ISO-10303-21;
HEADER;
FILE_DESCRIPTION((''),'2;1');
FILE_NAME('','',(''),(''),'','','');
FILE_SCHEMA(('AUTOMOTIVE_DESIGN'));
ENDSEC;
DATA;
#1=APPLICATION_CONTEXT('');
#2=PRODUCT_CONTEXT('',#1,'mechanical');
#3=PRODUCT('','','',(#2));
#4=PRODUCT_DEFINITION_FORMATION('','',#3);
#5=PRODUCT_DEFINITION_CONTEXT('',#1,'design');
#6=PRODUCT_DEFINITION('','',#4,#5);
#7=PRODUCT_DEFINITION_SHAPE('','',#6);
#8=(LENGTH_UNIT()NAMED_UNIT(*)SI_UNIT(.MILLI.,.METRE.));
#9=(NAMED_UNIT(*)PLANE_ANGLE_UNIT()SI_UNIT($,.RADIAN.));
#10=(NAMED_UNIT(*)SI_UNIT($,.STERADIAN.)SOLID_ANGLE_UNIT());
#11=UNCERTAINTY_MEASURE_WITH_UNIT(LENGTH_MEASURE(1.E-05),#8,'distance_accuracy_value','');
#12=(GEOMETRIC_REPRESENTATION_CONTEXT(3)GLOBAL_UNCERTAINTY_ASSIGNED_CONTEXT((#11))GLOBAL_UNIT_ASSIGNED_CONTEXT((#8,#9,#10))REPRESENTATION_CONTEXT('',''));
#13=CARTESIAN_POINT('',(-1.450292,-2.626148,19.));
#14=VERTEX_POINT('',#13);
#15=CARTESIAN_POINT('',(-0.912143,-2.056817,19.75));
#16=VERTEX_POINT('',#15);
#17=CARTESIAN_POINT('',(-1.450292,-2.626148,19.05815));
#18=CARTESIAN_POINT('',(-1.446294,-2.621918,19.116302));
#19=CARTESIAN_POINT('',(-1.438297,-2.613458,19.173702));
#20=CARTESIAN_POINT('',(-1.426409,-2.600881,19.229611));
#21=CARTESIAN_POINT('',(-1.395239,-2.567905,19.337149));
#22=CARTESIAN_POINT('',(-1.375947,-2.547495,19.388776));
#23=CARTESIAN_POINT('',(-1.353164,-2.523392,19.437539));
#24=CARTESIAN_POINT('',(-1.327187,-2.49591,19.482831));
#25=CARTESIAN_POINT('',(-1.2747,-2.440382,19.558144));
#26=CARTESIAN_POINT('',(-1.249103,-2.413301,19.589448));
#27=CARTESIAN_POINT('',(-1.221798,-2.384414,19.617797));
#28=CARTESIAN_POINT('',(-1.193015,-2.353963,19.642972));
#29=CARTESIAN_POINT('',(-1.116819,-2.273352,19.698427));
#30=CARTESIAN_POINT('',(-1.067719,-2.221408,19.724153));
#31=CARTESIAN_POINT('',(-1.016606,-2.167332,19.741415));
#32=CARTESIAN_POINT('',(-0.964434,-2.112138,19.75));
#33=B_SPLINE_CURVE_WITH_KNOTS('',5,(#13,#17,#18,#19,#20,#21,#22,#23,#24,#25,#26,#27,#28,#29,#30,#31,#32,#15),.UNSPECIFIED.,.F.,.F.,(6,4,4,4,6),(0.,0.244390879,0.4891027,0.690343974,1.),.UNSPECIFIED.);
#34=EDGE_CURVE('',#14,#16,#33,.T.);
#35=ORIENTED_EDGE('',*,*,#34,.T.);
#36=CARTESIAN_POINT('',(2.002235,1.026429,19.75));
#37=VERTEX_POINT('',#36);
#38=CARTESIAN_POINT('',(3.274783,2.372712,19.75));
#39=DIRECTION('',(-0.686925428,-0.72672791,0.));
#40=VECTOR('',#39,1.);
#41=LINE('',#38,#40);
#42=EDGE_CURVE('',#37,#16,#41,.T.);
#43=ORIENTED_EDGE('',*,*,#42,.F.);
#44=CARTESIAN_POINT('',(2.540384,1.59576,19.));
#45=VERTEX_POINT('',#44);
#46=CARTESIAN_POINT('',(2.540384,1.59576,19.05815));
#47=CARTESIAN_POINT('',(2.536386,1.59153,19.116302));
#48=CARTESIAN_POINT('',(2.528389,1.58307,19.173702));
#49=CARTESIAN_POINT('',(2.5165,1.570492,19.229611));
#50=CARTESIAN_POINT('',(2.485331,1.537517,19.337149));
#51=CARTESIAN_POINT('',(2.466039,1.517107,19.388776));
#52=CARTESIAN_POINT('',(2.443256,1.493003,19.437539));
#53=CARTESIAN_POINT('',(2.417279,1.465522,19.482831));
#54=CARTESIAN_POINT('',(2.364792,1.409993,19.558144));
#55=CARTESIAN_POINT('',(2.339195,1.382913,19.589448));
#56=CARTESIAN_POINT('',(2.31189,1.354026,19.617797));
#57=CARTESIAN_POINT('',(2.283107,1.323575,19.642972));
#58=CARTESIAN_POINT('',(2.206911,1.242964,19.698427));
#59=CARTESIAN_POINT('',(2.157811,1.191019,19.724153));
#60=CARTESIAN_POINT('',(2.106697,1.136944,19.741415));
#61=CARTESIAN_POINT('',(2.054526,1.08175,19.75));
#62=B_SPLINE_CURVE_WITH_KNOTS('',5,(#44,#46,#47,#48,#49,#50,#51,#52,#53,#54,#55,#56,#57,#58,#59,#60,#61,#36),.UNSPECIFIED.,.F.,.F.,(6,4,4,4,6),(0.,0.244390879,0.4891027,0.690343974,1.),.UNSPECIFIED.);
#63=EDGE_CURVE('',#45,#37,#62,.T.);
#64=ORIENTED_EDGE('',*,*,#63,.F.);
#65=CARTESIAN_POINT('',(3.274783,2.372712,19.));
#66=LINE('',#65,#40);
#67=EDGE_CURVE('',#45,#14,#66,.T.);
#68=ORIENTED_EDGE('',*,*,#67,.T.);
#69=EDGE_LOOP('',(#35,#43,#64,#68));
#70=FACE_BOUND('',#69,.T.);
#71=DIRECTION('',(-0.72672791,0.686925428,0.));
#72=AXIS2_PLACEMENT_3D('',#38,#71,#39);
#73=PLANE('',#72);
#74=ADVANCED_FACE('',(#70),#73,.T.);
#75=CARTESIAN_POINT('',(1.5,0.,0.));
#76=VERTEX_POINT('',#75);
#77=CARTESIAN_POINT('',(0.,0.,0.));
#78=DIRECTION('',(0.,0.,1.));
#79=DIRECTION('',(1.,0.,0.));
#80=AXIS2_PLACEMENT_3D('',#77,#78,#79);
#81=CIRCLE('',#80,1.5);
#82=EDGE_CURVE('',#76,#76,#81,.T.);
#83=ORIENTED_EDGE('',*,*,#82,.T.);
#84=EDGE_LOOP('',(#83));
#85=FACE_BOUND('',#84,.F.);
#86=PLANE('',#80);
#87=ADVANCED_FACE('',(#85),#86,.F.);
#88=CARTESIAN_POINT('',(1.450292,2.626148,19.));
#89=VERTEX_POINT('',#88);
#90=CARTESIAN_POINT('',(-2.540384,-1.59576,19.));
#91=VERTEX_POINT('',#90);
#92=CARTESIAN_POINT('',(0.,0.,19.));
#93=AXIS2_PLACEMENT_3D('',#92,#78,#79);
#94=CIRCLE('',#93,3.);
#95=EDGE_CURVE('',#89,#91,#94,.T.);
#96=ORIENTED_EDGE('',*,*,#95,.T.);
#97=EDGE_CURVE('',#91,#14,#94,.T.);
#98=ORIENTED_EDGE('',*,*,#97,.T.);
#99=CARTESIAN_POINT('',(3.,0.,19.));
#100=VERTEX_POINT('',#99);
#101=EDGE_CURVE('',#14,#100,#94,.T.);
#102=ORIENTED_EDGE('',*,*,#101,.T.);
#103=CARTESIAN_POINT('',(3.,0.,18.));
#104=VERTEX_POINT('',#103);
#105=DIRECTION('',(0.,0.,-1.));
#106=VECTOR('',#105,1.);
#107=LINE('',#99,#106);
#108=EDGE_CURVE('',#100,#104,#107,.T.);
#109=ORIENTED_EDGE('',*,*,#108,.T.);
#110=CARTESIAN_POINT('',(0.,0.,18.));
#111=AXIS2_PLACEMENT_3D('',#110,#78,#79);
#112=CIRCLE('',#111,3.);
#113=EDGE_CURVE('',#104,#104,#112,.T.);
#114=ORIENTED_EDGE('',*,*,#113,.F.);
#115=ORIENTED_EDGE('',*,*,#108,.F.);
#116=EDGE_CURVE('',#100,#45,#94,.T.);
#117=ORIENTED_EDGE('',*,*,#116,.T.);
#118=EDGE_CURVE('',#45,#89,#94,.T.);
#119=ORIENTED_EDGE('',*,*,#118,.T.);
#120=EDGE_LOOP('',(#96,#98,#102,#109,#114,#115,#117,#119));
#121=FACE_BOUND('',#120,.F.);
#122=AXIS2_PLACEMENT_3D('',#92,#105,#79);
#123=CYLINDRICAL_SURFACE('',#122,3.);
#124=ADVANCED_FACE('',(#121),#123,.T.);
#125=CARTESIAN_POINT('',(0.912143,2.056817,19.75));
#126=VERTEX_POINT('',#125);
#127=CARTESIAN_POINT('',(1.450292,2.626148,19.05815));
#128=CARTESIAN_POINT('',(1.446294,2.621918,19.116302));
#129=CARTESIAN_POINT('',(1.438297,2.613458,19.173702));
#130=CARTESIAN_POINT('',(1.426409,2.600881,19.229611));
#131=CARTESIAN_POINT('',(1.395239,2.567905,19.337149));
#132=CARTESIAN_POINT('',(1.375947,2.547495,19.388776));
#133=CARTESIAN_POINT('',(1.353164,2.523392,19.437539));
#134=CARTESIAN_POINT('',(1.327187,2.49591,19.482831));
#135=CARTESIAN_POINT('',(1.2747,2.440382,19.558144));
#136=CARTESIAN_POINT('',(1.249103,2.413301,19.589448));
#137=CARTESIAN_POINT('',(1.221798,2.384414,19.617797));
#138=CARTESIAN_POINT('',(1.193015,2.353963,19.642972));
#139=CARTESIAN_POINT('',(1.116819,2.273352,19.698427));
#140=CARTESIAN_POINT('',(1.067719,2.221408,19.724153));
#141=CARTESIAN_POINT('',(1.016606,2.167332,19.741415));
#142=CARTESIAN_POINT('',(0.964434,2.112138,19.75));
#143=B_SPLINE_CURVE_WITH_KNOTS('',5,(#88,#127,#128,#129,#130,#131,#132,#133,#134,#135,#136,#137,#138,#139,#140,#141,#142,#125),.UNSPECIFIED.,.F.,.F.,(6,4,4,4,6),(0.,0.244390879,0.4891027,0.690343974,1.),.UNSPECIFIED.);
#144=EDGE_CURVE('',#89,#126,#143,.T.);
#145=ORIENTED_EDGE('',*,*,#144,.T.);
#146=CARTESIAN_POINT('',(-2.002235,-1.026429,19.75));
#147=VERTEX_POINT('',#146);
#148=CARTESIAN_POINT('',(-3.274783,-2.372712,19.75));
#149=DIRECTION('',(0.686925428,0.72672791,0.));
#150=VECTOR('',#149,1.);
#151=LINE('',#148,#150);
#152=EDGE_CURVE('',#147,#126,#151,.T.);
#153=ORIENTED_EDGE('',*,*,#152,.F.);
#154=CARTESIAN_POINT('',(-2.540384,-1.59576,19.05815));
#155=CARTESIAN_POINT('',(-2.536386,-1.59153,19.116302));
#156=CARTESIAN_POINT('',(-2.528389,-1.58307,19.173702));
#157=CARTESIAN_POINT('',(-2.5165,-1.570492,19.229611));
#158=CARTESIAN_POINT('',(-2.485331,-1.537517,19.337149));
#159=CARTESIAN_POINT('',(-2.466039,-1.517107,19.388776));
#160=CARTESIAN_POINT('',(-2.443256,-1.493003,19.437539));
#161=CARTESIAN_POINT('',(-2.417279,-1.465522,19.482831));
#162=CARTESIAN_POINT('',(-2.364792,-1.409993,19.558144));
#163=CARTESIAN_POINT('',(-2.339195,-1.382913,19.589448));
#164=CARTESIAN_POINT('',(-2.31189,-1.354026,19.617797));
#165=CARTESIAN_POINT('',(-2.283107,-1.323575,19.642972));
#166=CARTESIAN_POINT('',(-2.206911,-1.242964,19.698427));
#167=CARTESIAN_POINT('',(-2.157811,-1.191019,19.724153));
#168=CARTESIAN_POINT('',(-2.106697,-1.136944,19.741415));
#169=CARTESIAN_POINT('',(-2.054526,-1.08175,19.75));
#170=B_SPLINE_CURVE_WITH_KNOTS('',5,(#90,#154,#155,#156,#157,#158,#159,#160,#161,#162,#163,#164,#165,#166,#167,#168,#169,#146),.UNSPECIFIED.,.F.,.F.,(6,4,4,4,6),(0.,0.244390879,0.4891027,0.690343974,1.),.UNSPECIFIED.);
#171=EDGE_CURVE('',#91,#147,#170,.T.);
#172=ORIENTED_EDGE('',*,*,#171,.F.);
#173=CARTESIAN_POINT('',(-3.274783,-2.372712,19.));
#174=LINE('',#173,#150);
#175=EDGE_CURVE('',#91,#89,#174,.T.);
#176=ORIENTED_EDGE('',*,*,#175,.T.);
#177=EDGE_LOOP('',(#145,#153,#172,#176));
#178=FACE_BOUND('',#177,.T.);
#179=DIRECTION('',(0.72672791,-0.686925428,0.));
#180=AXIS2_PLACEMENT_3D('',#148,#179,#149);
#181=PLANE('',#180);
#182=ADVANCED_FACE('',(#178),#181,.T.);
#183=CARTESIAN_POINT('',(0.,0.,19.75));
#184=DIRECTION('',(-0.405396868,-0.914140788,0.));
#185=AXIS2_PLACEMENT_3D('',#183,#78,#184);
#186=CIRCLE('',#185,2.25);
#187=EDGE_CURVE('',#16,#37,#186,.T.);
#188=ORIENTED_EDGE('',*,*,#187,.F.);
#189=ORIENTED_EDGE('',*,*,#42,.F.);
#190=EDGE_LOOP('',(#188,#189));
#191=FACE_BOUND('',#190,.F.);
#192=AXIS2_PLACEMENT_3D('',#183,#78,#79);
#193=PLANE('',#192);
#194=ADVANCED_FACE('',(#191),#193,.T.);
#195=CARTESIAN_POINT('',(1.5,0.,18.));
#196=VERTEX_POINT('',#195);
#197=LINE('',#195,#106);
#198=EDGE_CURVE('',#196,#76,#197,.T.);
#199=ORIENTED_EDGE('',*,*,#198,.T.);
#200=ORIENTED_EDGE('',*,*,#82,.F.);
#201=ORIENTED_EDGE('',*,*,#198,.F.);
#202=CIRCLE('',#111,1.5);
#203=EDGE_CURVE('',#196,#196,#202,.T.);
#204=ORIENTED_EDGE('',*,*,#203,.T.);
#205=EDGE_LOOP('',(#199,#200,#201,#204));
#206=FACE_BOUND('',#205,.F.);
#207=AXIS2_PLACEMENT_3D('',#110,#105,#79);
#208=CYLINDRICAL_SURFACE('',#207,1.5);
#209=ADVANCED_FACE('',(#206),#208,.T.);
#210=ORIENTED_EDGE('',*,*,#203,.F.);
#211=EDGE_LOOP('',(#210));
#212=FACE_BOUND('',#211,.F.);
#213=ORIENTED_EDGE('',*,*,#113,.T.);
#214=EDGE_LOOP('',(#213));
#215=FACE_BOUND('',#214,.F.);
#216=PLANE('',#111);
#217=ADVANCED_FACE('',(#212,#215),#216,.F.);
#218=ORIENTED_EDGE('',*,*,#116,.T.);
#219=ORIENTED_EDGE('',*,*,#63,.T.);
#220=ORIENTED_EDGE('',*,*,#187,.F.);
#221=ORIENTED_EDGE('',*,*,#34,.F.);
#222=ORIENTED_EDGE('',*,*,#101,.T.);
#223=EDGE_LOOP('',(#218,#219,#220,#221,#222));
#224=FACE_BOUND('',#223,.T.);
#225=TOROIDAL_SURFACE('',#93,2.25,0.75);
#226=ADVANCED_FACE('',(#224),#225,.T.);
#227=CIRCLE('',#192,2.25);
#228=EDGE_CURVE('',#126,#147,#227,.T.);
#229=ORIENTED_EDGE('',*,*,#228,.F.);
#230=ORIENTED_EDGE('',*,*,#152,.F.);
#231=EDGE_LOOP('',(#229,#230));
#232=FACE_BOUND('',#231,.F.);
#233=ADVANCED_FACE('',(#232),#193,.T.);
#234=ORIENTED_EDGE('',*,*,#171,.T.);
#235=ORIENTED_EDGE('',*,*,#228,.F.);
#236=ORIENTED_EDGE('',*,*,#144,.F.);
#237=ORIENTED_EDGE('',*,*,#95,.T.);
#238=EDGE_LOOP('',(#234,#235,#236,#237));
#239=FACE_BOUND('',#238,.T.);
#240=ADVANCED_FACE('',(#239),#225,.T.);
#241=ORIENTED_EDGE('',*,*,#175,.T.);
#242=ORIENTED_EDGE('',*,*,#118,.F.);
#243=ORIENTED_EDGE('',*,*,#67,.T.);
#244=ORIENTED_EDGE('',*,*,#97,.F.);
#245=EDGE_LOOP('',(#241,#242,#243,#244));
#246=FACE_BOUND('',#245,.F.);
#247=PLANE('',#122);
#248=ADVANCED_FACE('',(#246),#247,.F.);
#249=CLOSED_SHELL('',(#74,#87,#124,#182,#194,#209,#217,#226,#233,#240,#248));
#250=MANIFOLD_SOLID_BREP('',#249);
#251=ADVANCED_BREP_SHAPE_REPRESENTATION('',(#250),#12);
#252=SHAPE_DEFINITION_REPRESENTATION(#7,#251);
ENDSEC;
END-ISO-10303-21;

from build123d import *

# Parameters (mm, degrees)
POCKET_DEPTH = 0.75


with BuildPart() as part:
    # Sketch → Revolution (revolve)
    with BuildSketch(Plane.XZ):
        with BuildLine():
            Line((0, 0), (0, 19.75))
            Line((0, 19.75), (2.25, 19.75))
            ThreePointArc((3, 19), (2.78033, 19.53033), (2.25, 19.75))
            Line((3, 19), (3, 18))
            Line((3, 18), (1.5, 18))
            Line((1.5, 18), (1.5, 0))
            Line((1.5, 0), (0, 0))
        make_face()
    revolve(axis=Axis((0, 0, 0), (0, 0, 1)))

    # Sketch001 (on Face5 of Revolution) → Pocket (cut)
    with BuildSketch(Plane(origin=(0, 0, 19.75), x_dir=(-1, 0, 0), z_dir=(0, 0, 1))):
        Polygon((-3.274783, -2.372712), (2.184691, 3.4031), (3.274783, 2.372712), (-2.184691, -3.4031), align=None)
    extrude(amount=-POCKET_DEPTH, mode=Mode.SUBTRACT)


solid = part.part
